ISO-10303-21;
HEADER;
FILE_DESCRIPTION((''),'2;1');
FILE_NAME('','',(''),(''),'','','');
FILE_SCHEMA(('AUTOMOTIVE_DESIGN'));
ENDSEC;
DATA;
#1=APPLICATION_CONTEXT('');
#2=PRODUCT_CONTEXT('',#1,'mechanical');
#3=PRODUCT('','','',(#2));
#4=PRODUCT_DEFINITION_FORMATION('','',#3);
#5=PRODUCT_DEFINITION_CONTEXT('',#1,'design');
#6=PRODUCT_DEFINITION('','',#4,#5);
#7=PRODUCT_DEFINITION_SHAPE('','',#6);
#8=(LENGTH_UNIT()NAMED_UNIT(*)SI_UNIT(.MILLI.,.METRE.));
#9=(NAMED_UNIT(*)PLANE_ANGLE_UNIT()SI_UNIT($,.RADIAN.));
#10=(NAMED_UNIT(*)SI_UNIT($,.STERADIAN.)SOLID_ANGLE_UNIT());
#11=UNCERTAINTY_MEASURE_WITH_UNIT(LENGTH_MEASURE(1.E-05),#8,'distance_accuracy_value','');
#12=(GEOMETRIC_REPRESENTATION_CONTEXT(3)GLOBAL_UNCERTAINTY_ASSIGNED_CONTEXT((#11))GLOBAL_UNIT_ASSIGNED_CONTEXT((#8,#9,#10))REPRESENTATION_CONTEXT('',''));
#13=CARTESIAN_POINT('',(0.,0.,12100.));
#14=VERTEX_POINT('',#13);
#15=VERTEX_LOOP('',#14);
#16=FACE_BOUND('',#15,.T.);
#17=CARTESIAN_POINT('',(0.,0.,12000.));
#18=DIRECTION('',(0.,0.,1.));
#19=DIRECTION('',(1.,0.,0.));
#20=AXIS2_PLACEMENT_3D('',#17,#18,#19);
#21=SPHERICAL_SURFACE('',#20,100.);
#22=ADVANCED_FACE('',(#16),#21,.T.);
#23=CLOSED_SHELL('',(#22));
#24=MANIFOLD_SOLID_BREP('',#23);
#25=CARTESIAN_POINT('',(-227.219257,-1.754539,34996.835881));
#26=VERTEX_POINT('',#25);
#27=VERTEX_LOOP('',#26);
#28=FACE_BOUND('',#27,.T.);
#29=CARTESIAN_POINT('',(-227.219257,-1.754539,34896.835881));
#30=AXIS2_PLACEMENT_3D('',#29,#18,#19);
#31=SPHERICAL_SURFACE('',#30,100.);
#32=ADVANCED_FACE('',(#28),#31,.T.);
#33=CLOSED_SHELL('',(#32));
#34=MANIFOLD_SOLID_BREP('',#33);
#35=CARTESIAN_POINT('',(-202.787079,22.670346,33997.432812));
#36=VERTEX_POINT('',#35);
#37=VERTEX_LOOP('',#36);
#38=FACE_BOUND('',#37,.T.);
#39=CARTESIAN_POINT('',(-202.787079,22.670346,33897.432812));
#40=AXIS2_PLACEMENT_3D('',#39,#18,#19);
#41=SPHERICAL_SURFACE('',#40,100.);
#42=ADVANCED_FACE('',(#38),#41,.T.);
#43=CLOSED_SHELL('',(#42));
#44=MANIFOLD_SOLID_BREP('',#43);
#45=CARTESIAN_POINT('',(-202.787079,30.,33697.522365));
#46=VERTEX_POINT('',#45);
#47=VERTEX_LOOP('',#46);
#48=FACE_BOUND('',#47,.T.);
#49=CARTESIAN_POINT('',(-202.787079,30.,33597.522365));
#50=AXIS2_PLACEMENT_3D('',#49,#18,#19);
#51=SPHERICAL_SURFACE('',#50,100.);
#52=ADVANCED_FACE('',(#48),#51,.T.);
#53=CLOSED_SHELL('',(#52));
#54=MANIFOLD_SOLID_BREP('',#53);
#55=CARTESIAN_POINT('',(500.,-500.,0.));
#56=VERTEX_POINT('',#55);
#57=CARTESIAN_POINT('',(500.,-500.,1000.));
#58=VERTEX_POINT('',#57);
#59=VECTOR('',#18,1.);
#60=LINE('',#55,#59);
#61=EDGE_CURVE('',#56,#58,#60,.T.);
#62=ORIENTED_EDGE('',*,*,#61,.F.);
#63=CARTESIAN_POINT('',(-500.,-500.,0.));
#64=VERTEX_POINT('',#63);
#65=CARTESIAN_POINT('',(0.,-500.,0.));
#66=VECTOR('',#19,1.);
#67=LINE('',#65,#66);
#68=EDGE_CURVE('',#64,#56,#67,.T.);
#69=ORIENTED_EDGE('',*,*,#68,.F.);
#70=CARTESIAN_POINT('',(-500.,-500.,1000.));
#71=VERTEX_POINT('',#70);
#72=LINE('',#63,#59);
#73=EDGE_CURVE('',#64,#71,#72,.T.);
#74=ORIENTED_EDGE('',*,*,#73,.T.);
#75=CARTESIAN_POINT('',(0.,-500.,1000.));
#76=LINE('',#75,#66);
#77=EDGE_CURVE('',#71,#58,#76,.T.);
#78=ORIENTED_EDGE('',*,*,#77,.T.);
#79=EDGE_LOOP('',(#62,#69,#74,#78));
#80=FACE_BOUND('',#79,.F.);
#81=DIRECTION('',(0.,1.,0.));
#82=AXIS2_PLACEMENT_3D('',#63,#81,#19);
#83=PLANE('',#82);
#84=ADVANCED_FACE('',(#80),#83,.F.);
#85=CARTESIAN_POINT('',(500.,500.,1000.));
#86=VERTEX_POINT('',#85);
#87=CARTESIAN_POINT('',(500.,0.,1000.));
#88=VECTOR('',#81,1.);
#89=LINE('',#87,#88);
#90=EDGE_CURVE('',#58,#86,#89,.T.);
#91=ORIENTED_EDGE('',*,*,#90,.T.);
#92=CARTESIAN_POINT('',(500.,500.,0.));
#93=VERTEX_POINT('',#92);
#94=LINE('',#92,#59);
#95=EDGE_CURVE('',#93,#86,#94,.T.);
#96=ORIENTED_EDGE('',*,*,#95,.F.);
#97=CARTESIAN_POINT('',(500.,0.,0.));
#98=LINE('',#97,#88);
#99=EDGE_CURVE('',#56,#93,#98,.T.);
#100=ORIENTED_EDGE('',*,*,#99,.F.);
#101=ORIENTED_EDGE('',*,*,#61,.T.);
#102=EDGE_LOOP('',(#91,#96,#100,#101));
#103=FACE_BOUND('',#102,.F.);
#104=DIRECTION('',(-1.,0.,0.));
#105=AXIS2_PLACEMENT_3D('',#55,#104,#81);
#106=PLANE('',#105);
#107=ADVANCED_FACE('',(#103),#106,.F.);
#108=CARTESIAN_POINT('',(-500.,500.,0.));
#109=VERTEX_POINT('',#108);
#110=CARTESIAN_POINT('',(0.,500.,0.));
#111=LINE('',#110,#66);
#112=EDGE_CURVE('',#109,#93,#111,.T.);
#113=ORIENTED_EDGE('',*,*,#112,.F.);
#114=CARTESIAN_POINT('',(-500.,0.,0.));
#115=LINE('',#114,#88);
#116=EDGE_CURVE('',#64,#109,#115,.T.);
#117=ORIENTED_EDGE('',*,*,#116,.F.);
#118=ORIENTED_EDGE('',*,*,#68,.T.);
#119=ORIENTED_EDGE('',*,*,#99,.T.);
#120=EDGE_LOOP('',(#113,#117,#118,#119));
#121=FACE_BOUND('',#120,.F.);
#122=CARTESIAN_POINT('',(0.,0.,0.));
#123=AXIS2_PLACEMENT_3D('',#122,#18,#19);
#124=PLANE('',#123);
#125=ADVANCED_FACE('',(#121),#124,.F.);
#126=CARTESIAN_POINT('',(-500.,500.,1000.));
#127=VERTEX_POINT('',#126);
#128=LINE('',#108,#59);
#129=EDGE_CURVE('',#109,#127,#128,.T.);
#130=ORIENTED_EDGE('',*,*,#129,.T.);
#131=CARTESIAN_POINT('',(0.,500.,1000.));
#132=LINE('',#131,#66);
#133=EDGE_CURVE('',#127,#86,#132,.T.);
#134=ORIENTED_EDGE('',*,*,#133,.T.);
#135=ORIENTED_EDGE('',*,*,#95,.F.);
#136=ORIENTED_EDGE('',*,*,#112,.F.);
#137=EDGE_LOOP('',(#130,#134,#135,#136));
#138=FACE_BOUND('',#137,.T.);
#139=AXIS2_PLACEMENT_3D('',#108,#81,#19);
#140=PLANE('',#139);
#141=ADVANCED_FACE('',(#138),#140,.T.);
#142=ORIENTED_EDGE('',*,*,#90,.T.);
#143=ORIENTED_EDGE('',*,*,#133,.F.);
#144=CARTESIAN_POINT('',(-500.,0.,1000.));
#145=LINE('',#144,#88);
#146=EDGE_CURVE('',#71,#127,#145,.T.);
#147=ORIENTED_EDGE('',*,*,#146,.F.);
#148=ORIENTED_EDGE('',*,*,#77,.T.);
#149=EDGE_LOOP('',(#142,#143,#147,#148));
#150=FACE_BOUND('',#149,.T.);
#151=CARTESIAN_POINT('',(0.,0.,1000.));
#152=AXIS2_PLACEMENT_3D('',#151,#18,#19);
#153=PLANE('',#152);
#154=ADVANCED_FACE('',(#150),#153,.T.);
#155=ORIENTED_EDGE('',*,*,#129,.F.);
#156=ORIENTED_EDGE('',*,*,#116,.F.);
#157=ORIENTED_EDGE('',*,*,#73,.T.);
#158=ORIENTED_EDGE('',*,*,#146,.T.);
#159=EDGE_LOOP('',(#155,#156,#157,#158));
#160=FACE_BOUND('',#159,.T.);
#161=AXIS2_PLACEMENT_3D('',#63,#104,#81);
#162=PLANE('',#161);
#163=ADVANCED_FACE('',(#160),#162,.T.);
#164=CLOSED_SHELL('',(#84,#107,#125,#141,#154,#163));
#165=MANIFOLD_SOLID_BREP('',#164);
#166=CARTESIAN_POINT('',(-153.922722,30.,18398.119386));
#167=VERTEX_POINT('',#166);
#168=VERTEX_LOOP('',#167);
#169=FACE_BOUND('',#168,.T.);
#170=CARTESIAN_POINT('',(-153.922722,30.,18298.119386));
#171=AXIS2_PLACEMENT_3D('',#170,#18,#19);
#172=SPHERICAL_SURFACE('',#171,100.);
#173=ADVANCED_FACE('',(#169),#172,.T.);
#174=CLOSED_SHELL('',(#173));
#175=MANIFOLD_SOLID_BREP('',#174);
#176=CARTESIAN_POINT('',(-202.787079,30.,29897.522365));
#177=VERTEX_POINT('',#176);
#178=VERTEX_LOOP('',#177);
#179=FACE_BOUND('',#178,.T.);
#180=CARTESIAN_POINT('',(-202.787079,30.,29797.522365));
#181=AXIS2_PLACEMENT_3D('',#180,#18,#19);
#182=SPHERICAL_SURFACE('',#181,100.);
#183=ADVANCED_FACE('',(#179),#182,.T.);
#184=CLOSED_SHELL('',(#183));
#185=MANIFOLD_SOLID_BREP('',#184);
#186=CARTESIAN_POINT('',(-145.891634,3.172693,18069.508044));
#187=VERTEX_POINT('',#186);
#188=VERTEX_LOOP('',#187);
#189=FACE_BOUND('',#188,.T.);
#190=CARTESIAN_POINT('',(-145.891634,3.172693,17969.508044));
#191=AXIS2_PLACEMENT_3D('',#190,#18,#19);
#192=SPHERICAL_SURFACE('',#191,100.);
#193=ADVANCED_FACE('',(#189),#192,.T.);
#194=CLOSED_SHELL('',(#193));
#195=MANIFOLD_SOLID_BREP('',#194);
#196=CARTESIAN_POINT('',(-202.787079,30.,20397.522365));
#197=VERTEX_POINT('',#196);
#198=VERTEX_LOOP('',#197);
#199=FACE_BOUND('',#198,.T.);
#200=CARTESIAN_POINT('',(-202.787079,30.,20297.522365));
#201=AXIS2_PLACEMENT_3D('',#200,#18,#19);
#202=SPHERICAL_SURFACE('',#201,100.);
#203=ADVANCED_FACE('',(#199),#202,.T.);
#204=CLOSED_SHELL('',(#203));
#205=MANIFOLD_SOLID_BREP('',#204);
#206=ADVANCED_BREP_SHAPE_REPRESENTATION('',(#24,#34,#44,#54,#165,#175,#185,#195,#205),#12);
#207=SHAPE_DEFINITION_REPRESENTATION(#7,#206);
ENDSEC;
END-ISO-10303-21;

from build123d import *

# Parameters (mm, degrees)
SOURCEBOX_W     = 1000
SOURCEBOX_H     = 1000
SOURCEBOX_DEPTH = 1000


with BuildPart() as sourcebox:
    # SourceBox → SourceBox (new body)
    with BuildSketch(Plane(origin=(-500, -500, 0), x_dir=(1, 0, 0), z_dir=(0, 0, 1))):
        with Locations((500, 500)):
            Rectangle(SOURCEBOX_W, SOURCEBOX_H)
    extrude(amount=SOURCEBOX_DEPTH)


with BuildPart() as m1:
    # M1 → M1 (revolve)
    with BuildSketch(Plane(origin=(0, 0, 12000), x_dir=(1, 0, 0), z_dir=(0, -1, 0))):
        with BuildLine():
            ThreePointArc((0, -100), (100, 0), (0, 100))
            Line((0, 100), (0, -100))
        make_face()
    revolve(axis=Axis((0, 0, 12000), (0, 0, 1)))


with BuildPart() as premirrorm2:
    # PremirrorM2 → PremirrorM2 (revolve)
    with BuildSketch(Plane(origin=(-145.891634, 3.172693, 17969.508044), x_dir=(1, 0, 0), z_dir=(0, -1, 0))):
        with BuildLine():
            ThreePointArc((0, -100), (100, 0), (0, 100))
            Line((0, 100), (0, -100))
        make_face()
    revolve(axis=Axis((-145.891634, 3.172693, 17969.508044), (0, 0, 1)))


with BuildPart() as pg:
    # PG → PG (revolve)
    with BuildSketch(Plane(origin=(-153.922722, 30, 18298.119386), x_dir=(1, 0, 0), z_dir=(0, -1, 0))):
        with BuildLine():
            ThreePointArc((0, -100), (100, 0), (0, 100))
            Line((0, 100), (0, -100))
        make_face()
    revolve(axis=Axis((-153.922722, 30, 18298.119386), (0, 0, 1)))


with BuildPart() as m3:
    # M3 → M3 (revolve)
    with BuildSketch(Plane(origin=(-202.787079, 30, 20297.522365), x_dir=(1, 0, 0), z_dir=(0, -1, 0))):
        with BuildLine():
            ThreePointArc((0, -100), (100, 0), (0, 100))
            Line((0, 100), (0, -100))
        make_face()
    revolve(axis=Axis((-202.787079, 30, 20297.522365), (0, 0, 1)))


with BuildPart() as exitslit:
    # ExitSlit → ExitSlit (revolve)
    with BuildSketch(Plane(origin=(-202.787079, 30, 29797.522365), x_dir=(1, 0, 0), z_dir=(0, -1, 0))):
        with BuildLine():
            ThreePointArc((0, -100), (100, 0), (0, 100))
            Line((0, 100), (0, -100))
        make_face()
    revolve(axis=Axis((-202.787079, 30, 29797.522365), (0, 0, 1)))


with BuildPart() as kb_ver:
    # KB_ver → KB_ver (revolve)
    with BuildSketch(Plane(origin=(-202.787079, 30, 33597.522365), x_dir=(1, 0, 0), z_dir=(0, -1, 0))):
        with BuildLine():
            ThreePointArc((0, -100), (100, 0), (0, 100))
            Line((0, 100), (0, -100))
        make_face()
    revolve(axis=Axis((-202.787079, 30, 33597.522365), (0, 0, 1)))


with BuildPart() as kb_hor:
    # KB_hor → KB_hor (revolve)
    with BuildSketch(Plane(origin=(-202.787079, 22.670346, 33897.432812), x_dir=(1, 0, 0), z_dir=(0, -1, 0))):
        with BuildLine():
            ThreePointArc((0, -100), (100, 0), (0, 100))
            Line((0, 100), (0, -100))
        make_face()
    revolve(axis=Axis((-202.787079, 22.670346, 33897.432812), (0, 0, 1)))


with BuildPart() as detectoratfocus:
    # DetectorAtFocus → DetectorAtFocus (revolve)
    with BuildSketch(Plane(origin=(-227.219257, -1.754539, 34896.835881), x_dir=(1, 0, 0), z_dir=(0, -1, 0))):
        with BuildLine():
            ThreePointArc((0, -100), (100, 0), (0, 100))
            Line((0, 100), (0, -100))
        make_face()
    revolve(axis=Axis((-227.219257, -1.754539, 34896.835881), (0, 0, 1)))


solid = Compound([sourcebox.part, m1.part, premirrorm2.part, pg.part, m3.part, exitslit.part, kb_ver.part, kb_hor.part, detectoratfocus.part])
